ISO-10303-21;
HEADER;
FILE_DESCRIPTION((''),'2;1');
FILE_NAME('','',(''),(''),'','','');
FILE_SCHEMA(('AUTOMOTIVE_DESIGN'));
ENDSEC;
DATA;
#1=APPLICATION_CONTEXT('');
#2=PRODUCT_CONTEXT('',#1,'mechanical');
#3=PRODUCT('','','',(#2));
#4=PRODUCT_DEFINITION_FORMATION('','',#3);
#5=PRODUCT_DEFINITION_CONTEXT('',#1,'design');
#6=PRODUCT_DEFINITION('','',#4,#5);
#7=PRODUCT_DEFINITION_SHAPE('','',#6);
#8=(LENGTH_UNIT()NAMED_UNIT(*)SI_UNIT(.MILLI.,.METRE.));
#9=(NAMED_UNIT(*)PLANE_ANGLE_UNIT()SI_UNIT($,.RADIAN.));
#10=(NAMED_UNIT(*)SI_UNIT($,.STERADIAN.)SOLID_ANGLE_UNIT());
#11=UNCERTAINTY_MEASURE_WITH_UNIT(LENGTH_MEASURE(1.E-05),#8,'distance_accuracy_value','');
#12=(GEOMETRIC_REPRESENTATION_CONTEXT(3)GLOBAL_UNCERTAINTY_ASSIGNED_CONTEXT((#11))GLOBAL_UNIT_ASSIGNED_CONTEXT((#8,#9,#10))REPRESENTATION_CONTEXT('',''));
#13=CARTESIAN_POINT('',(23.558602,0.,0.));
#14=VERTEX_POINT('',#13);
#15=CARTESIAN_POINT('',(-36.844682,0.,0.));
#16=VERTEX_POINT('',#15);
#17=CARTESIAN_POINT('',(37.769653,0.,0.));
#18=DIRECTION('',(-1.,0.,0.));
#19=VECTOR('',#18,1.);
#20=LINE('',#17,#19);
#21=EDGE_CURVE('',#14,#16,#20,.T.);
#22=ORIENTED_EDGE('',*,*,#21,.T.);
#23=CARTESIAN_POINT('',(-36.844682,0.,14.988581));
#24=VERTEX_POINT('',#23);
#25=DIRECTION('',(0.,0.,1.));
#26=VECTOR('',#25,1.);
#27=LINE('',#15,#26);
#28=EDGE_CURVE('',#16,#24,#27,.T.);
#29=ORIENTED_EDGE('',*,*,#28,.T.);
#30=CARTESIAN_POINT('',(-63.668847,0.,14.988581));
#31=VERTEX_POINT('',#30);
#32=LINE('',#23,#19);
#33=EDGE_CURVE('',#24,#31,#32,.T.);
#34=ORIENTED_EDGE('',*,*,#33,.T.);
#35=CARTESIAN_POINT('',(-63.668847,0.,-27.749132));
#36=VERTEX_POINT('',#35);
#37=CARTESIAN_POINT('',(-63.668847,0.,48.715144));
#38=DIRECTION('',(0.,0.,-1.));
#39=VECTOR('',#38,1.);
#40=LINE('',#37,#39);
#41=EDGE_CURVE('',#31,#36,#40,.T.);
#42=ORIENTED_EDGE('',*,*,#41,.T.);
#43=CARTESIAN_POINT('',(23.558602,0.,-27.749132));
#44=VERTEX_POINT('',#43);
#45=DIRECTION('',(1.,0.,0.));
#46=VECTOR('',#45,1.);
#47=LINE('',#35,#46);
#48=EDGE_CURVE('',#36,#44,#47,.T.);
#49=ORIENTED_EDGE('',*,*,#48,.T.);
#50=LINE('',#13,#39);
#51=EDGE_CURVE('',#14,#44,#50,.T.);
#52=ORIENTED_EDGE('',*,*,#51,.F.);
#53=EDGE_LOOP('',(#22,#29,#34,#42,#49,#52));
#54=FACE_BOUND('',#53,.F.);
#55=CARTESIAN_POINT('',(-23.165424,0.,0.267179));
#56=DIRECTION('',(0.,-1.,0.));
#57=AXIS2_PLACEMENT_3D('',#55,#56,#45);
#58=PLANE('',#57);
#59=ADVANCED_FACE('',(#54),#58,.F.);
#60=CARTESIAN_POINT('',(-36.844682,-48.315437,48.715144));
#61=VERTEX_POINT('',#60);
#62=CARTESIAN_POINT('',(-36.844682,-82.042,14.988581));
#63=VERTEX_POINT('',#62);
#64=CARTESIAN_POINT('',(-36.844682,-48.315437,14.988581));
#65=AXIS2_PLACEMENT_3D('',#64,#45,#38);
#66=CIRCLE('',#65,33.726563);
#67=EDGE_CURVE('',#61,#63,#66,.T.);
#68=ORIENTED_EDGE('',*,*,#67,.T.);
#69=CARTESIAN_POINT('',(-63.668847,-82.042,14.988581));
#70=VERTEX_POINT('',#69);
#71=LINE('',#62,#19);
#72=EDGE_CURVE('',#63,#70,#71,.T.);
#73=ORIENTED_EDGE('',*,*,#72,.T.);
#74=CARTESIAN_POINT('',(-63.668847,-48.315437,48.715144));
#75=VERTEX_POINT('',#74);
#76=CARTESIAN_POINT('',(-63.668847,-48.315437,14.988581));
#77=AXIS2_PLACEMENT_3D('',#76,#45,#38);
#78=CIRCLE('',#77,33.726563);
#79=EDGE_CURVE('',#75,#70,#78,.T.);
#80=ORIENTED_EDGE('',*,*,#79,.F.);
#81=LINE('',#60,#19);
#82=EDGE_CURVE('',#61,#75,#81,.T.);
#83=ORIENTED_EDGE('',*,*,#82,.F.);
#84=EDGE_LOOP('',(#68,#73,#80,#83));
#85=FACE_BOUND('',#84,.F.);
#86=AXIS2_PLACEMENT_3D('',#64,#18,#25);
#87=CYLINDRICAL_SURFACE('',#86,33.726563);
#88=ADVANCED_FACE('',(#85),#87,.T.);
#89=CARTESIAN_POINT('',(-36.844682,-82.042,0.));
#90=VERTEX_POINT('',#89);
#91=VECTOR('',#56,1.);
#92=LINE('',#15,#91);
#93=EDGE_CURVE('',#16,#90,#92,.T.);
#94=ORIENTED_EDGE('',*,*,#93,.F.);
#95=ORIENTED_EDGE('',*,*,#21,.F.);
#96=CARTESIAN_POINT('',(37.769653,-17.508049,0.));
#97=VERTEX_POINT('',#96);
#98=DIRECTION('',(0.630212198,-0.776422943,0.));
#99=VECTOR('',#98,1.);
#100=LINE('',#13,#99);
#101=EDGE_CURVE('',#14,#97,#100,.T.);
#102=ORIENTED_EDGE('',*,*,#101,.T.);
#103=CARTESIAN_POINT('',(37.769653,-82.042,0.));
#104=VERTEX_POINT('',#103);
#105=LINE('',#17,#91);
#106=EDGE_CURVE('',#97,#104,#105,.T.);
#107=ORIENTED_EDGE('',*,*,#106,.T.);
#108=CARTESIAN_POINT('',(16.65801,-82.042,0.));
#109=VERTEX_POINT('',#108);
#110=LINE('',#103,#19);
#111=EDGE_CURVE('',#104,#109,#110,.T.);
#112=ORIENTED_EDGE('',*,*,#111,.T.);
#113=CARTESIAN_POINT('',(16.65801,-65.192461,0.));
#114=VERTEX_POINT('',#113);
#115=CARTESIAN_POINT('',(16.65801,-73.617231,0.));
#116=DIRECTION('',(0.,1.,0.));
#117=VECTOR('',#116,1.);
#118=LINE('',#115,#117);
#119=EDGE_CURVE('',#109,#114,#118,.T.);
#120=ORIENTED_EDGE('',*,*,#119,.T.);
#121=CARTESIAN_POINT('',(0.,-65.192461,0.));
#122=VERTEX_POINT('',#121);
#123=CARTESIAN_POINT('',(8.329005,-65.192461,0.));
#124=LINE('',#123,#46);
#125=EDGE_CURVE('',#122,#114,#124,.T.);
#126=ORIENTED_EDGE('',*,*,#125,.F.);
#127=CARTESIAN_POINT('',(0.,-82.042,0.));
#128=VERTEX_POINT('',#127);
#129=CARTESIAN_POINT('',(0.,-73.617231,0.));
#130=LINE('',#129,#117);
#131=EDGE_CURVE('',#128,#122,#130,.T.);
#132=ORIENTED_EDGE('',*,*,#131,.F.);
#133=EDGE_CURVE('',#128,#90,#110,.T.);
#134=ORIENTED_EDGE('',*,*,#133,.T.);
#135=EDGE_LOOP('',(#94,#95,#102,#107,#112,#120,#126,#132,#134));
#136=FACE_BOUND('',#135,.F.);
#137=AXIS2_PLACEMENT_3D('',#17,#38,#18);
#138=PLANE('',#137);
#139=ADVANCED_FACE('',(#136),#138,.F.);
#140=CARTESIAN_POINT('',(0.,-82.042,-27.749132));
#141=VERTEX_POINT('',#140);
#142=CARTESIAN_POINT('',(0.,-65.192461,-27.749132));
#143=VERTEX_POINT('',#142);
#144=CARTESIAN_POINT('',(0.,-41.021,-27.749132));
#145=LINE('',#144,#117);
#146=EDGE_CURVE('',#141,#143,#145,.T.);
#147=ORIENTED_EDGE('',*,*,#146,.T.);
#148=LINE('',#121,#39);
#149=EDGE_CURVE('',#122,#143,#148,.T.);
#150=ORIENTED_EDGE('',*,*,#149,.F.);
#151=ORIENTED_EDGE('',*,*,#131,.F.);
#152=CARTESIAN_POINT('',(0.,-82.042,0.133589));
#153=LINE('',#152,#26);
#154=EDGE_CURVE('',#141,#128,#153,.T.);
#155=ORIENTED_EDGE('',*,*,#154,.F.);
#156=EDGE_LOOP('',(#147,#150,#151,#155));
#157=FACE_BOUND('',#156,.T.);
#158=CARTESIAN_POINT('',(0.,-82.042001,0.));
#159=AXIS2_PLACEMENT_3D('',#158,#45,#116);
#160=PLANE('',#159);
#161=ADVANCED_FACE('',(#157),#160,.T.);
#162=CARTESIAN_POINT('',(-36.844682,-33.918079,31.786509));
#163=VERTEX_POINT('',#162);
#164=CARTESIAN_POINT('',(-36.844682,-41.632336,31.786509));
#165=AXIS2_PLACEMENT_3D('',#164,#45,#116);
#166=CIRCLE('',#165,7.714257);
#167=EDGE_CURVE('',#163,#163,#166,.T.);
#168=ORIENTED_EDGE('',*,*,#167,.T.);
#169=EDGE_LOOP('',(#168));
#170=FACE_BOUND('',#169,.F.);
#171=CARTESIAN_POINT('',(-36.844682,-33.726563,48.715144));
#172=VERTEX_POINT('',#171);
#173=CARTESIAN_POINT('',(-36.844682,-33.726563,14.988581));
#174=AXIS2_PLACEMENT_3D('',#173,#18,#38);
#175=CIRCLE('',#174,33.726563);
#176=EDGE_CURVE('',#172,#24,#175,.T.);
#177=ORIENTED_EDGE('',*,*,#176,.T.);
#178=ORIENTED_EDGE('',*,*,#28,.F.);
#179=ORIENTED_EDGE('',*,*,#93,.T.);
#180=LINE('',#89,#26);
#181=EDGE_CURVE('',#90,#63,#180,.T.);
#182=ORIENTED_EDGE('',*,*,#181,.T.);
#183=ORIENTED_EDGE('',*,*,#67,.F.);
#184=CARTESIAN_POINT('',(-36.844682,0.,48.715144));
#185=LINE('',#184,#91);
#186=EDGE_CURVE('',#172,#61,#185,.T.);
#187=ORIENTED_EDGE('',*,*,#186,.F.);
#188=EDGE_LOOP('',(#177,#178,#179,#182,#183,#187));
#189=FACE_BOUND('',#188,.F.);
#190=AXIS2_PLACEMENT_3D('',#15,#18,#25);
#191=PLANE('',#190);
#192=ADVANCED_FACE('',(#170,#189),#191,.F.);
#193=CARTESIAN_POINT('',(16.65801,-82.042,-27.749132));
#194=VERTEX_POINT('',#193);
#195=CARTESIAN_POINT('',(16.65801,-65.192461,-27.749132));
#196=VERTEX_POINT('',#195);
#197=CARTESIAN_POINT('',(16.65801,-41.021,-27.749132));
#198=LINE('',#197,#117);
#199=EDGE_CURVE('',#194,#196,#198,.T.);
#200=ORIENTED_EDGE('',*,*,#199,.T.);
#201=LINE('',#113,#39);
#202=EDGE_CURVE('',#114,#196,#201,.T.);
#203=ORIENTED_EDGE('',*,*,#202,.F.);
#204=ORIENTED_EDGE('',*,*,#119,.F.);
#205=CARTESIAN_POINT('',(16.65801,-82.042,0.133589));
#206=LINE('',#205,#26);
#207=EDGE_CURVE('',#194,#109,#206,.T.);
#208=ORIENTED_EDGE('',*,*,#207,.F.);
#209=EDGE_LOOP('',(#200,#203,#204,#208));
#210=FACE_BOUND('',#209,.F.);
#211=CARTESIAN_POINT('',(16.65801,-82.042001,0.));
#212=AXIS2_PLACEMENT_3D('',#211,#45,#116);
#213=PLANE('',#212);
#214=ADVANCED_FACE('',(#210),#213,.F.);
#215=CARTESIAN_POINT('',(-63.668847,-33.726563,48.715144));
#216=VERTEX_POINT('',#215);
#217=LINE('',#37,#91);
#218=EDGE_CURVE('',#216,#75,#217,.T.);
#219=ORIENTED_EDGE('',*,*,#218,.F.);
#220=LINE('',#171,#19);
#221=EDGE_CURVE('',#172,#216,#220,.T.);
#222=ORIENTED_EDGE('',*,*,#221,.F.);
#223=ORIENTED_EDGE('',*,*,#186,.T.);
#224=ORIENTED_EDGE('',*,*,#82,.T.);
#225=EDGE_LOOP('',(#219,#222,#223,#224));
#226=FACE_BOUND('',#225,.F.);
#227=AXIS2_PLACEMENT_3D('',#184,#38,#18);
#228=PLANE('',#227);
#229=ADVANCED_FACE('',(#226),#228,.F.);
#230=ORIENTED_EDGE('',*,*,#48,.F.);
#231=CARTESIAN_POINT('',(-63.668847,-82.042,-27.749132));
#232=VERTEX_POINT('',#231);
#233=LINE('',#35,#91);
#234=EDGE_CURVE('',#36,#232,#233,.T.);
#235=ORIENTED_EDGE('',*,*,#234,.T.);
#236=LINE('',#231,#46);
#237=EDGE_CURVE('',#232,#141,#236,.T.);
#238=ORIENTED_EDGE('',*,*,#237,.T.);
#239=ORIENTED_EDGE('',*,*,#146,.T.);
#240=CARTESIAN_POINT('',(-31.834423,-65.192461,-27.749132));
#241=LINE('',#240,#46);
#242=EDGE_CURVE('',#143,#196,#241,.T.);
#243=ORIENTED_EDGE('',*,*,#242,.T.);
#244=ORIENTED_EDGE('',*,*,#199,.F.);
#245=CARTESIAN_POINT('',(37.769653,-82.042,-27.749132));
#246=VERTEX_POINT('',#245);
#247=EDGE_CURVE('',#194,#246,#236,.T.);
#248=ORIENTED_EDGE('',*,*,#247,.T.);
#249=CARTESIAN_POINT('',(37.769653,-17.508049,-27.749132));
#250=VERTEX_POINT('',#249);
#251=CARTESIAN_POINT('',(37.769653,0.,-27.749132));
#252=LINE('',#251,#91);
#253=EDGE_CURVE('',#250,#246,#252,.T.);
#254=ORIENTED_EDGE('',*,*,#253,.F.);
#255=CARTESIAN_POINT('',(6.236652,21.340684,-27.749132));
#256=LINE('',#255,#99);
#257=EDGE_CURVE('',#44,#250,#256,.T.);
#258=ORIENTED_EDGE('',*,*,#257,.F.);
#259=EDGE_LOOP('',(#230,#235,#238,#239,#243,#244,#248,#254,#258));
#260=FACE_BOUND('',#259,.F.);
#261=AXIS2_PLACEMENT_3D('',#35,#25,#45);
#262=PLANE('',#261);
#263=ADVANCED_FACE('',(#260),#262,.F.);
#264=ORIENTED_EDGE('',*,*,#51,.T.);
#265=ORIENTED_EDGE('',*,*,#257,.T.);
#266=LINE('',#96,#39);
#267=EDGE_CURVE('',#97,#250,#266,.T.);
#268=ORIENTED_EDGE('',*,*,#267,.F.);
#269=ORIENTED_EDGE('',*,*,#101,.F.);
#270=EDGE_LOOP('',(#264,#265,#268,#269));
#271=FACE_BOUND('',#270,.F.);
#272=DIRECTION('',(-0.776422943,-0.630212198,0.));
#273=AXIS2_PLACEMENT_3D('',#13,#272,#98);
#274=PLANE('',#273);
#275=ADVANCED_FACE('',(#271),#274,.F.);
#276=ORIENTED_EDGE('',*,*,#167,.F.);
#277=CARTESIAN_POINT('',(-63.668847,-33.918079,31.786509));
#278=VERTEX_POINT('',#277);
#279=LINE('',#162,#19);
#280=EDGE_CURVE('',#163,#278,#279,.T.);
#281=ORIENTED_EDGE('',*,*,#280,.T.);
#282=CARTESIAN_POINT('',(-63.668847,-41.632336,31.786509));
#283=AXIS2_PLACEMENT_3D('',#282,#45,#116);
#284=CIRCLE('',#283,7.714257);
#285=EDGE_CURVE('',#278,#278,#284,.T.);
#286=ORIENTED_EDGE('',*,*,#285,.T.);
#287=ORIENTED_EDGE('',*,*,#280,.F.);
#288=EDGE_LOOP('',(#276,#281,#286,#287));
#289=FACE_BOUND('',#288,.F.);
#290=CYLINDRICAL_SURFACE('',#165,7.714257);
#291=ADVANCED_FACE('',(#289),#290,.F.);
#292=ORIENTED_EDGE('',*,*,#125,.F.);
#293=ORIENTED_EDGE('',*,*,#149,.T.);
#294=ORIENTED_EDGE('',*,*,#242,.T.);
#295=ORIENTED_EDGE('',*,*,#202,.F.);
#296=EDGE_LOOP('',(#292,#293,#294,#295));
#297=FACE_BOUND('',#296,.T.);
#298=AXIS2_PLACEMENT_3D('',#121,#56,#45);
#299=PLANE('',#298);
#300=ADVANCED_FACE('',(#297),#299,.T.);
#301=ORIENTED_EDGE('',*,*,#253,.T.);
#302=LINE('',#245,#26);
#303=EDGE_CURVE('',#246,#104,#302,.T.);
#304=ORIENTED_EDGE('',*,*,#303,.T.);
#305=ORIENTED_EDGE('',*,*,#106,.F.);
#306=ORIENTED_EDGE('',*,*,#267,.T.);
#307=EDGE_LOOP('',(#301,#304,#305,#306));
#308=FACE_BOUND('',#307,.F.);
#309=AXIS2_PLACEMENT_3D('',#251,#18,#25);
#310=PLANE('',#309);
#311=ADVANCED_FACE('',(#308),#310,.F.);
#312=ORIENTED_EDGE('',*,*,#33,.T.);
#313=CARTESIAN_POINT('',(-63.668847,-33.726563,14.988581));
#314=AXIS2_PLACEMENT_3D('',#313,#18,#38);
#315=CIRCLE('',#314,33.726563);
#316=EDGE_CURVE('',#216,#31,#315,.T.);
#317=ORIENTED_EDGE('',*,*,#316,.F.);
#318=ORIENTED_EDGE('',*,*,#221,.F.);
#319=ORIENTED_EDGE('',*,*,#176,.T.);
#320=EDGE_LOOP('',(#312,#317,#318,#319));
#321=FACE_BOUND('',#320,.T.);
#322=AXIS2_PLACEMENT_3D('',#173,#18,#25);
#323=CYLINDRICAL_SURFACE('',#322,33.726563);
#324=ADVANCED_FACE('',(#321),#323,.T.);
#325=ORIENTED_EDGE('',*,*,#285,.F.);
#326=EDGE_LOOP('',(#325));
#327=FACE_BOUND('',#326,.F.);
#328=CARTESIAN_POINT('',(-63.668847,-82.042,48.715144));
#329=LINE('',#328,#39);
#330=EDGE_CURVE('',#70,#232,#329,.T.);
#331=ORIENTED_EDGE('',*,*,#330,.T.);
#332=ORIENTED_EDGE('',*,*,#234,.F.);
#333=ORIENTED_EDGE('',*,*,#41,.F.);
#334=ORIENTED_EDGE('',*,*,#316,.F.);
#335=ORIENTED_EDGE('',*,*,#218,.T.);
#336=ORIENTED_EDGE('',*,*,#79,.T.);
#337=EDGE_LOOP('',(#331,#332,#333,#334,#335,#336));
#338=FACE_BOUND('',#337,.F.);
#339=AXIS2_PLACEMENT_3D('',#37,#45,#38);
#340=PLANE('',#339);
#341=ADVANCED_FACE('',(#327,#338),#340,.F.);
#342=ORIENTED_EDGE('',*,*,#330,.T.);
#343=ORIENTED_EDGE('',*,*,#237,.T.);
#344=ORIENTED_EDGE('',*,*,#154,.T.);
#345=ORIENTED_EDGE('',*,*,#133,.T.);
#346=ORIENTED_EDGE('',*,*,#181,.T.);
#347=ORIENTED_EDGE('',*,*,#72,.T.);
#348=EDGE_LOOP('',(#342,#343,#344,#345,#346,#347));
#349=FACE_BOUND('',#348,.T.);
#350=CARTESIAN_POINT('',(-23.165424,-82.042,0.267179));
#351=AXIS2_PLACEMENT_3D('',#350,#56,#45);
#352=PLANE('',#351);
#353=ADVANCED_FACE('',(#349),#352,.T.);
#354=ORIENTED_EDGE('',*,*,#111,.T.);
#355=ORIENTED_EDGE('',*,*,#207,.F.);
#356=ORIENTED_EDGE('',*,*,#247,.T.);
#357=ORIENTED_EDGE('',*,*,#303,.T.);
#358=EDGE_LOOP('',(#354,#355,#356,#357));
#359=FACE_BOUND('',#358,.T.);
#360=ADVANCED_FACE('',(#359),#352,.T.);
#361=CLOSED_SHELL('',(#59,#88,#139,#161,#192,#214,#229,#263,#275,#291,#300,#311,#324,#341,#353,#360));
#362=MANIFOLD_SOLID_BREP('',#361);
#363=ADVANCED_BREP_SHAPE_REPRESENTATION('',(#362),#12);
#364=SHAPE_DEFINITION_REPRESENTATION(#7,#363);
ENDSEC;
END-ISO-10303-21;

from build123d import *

# Parameters (mm, degrees)
F1_DEPTH = 82.042
F2_R     = 33.726563
F3_W     = 16.65801
F3_H     = 16.849539
F4_DEPTH = 27.750132
F6_DEPTH = 27.750132
F7_R     = 7.714257
F8_DEPTH = 26.825165


with BuildPart() as f1:
    # F0 (on Front) → F1 (new body)
    with BuildSketch(Plane.XZ):
        Polygon((37.769653, -27.749132), (37.769653, 0), (-36.844682, 0), (-36.844682, 48.715144), (-63.668847, 48.715144), (-63.668847, -27.749132), align=None)
    extrude(amount=F1_DEPTH)

    # F2
    f2_edges = [f1.edges().sort_by_distance(p)[0] for p in [
        (-50.256765, 0, 48.715144),
        (-50.256765, -82.042, 48.715144),
    ]]
    fillet(f2_edges, radius=F2_R)

    # F3 (on face) → F4 (cut, through all)
    with BuildSketch(Plane.XY):
        with Locations((8.329005, -73.617231)):
            Rectangle(F3_W, F3_H)
    extrude(amount=-F4_DEPTH, mode=Mode.SUBTRACT)

    # F5 (on face) → F6 (cut, through all)
    with BuildSketch(Plane.XY):
        Polygon((37.769653, 0), (23.558602, 0), (37.769653, -17.508049), align=None)
    extrude(amount=-F6_DEPTH, mode=Mode.SUBTRACT)

    # F7 (on face) → F8 (cut, through all)
    with BuildSketch(Plane.YZ.offset(-36.844682)):
        with Locations((-41.632336, 31.786509)):
            Circle(F7_R)
    extrude(amount=-F8_DEPTH, mode=Mode.SUBTRACT)


solid = f1.part
